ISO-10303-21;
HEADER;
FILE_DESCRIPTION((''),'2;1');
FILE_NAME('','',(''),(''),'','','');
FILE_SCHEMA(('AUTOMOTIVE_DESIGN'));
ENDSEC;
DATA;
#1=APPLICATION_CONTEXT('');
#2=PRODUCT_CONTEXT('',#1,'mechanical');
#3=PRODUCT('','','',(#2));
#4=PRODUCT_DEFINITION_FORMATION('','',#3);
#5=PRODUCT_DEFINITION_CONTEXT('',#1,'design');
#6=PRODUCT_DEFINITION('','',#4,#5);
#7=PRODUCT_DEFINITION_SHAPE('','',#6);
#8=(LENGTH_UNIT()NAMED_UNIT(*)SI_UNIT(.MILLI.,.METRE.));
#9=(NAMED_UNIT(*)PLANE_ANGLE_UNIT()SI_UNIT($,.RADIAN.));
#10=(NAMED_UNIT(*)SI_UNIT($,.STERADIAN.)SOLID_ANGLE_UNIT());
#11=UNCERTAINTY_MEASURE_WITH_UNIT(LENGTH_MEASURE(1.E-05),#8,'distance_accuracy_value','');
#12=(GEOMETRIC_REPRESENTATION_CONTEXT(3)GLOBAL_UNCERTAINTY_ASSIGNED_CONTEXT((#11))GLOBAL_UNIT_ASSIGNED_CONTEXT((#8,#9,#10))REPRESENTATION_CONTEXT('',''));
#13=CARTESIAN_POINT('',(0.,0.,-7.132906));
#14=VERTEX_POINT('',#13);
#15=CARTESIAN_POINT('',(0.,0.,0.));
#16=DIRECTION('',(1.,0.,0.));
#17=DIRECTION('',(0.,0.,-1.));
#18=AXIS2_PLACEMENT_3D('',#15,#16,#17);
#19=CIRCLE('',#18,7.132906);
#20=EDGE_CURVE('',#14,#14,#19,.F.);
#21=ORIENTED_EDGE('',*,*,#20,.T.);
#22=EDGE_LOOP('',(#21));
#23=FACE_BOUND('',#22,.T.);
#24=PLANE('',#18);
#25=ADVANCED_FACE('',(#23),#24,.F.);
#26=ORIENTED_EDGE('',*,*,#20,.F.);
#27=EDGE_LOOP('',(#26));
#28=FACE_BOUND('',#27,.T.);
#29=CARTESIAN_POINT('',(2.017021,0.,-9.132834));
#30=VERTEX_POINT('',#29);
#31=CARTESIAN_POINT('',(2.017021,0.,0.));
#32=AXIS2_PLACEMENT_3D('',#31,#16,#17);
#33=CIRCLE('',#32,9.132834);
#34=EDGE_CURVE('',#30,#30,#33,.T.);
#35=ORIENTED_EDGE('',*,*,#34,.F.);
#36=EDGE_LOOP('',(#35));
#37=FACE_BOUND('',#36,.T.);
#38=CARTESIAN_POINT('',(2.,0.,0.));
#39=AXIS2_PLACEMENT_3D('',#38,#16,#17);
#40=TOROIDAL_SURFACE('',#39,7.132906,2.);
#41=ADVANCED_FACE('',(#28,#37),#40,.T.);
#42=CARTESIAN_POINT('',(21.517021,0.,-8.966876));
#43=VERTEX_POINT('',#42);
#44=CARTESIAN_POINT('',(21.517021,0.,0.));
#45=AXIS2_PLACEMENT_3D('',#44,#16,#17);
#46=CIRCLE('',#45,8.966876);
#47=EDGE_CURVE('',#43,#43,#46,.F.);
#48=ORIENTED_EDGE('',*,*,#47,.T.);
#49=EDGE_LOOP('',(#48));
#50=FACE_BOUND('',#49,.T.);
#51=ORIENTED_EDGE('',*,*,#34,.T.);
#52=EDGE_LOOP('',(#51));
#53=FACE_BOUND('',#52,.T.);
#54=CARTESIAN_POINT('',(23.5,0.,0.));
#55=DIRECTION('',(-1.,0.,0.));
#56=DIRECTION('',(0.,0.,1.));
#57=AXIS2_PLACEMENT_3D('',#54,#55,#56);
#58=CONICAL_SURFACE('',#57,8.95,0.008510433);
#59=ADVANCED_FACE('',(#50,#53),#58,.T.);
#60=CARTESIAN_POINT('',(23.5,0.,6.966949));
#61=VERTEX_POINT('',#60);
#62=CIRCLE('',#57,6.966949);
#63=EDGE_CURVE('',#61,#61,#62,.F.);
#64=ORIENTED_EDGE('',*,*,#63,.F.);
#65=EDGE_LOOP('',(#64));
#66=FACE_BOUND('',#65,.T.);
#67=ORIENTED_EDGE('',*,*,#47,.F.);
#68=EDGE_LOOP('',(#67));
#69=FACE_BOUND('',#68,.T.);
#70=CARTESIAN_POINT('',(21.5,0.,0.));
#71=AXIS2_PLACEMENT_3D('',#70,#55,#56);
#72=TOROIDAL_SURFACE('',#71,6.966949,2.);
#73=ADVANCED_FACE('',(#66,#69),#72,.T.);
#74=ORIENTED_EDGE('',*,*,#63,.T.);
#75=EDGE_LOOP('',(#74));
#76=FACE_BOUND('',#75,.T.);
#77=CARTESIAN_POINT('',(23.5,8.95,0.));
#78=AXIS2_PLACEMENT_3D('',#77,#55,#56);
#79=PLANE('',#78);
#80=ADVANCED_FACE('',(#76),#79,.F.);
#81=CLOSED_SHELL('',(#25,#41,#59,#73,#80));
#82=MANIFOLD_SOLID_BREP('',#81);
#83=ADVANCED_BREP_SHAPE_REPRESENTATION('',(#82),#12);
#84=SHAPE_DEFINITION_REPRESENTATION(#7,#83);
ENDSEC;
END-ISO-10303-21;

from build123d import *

# Parameters (mm, degrees)
FILLET1_R = 2


with BuildPart() as part:
    # Sketch1 → Revolve1 (revolve)
    with BuildSketch(Plane.XY, mode=Mode.PRIVATE) as revolve1_sk:
        Polygon((0, 0), (0, 9.15), (23.5, 8.95), (23.5, 0), align=None)
    revolve(revolve1_sk.sketch.rotate(Axis((-5.066808465, 0, 0), (1, 0, 0)), 90), axis=Axis((-5.066808465, 0, 0), (1, 0, 0)))

    # Fillet1
    fillet1_edges = [part.edges().sort_by_distance(p)[0] for p in [
        (23.5, 0, -8.95),
        (0, 0, -9.15),
    ]]
    fillet(fillet1_edges, radius=FILLET1_R)


solid = part.part
